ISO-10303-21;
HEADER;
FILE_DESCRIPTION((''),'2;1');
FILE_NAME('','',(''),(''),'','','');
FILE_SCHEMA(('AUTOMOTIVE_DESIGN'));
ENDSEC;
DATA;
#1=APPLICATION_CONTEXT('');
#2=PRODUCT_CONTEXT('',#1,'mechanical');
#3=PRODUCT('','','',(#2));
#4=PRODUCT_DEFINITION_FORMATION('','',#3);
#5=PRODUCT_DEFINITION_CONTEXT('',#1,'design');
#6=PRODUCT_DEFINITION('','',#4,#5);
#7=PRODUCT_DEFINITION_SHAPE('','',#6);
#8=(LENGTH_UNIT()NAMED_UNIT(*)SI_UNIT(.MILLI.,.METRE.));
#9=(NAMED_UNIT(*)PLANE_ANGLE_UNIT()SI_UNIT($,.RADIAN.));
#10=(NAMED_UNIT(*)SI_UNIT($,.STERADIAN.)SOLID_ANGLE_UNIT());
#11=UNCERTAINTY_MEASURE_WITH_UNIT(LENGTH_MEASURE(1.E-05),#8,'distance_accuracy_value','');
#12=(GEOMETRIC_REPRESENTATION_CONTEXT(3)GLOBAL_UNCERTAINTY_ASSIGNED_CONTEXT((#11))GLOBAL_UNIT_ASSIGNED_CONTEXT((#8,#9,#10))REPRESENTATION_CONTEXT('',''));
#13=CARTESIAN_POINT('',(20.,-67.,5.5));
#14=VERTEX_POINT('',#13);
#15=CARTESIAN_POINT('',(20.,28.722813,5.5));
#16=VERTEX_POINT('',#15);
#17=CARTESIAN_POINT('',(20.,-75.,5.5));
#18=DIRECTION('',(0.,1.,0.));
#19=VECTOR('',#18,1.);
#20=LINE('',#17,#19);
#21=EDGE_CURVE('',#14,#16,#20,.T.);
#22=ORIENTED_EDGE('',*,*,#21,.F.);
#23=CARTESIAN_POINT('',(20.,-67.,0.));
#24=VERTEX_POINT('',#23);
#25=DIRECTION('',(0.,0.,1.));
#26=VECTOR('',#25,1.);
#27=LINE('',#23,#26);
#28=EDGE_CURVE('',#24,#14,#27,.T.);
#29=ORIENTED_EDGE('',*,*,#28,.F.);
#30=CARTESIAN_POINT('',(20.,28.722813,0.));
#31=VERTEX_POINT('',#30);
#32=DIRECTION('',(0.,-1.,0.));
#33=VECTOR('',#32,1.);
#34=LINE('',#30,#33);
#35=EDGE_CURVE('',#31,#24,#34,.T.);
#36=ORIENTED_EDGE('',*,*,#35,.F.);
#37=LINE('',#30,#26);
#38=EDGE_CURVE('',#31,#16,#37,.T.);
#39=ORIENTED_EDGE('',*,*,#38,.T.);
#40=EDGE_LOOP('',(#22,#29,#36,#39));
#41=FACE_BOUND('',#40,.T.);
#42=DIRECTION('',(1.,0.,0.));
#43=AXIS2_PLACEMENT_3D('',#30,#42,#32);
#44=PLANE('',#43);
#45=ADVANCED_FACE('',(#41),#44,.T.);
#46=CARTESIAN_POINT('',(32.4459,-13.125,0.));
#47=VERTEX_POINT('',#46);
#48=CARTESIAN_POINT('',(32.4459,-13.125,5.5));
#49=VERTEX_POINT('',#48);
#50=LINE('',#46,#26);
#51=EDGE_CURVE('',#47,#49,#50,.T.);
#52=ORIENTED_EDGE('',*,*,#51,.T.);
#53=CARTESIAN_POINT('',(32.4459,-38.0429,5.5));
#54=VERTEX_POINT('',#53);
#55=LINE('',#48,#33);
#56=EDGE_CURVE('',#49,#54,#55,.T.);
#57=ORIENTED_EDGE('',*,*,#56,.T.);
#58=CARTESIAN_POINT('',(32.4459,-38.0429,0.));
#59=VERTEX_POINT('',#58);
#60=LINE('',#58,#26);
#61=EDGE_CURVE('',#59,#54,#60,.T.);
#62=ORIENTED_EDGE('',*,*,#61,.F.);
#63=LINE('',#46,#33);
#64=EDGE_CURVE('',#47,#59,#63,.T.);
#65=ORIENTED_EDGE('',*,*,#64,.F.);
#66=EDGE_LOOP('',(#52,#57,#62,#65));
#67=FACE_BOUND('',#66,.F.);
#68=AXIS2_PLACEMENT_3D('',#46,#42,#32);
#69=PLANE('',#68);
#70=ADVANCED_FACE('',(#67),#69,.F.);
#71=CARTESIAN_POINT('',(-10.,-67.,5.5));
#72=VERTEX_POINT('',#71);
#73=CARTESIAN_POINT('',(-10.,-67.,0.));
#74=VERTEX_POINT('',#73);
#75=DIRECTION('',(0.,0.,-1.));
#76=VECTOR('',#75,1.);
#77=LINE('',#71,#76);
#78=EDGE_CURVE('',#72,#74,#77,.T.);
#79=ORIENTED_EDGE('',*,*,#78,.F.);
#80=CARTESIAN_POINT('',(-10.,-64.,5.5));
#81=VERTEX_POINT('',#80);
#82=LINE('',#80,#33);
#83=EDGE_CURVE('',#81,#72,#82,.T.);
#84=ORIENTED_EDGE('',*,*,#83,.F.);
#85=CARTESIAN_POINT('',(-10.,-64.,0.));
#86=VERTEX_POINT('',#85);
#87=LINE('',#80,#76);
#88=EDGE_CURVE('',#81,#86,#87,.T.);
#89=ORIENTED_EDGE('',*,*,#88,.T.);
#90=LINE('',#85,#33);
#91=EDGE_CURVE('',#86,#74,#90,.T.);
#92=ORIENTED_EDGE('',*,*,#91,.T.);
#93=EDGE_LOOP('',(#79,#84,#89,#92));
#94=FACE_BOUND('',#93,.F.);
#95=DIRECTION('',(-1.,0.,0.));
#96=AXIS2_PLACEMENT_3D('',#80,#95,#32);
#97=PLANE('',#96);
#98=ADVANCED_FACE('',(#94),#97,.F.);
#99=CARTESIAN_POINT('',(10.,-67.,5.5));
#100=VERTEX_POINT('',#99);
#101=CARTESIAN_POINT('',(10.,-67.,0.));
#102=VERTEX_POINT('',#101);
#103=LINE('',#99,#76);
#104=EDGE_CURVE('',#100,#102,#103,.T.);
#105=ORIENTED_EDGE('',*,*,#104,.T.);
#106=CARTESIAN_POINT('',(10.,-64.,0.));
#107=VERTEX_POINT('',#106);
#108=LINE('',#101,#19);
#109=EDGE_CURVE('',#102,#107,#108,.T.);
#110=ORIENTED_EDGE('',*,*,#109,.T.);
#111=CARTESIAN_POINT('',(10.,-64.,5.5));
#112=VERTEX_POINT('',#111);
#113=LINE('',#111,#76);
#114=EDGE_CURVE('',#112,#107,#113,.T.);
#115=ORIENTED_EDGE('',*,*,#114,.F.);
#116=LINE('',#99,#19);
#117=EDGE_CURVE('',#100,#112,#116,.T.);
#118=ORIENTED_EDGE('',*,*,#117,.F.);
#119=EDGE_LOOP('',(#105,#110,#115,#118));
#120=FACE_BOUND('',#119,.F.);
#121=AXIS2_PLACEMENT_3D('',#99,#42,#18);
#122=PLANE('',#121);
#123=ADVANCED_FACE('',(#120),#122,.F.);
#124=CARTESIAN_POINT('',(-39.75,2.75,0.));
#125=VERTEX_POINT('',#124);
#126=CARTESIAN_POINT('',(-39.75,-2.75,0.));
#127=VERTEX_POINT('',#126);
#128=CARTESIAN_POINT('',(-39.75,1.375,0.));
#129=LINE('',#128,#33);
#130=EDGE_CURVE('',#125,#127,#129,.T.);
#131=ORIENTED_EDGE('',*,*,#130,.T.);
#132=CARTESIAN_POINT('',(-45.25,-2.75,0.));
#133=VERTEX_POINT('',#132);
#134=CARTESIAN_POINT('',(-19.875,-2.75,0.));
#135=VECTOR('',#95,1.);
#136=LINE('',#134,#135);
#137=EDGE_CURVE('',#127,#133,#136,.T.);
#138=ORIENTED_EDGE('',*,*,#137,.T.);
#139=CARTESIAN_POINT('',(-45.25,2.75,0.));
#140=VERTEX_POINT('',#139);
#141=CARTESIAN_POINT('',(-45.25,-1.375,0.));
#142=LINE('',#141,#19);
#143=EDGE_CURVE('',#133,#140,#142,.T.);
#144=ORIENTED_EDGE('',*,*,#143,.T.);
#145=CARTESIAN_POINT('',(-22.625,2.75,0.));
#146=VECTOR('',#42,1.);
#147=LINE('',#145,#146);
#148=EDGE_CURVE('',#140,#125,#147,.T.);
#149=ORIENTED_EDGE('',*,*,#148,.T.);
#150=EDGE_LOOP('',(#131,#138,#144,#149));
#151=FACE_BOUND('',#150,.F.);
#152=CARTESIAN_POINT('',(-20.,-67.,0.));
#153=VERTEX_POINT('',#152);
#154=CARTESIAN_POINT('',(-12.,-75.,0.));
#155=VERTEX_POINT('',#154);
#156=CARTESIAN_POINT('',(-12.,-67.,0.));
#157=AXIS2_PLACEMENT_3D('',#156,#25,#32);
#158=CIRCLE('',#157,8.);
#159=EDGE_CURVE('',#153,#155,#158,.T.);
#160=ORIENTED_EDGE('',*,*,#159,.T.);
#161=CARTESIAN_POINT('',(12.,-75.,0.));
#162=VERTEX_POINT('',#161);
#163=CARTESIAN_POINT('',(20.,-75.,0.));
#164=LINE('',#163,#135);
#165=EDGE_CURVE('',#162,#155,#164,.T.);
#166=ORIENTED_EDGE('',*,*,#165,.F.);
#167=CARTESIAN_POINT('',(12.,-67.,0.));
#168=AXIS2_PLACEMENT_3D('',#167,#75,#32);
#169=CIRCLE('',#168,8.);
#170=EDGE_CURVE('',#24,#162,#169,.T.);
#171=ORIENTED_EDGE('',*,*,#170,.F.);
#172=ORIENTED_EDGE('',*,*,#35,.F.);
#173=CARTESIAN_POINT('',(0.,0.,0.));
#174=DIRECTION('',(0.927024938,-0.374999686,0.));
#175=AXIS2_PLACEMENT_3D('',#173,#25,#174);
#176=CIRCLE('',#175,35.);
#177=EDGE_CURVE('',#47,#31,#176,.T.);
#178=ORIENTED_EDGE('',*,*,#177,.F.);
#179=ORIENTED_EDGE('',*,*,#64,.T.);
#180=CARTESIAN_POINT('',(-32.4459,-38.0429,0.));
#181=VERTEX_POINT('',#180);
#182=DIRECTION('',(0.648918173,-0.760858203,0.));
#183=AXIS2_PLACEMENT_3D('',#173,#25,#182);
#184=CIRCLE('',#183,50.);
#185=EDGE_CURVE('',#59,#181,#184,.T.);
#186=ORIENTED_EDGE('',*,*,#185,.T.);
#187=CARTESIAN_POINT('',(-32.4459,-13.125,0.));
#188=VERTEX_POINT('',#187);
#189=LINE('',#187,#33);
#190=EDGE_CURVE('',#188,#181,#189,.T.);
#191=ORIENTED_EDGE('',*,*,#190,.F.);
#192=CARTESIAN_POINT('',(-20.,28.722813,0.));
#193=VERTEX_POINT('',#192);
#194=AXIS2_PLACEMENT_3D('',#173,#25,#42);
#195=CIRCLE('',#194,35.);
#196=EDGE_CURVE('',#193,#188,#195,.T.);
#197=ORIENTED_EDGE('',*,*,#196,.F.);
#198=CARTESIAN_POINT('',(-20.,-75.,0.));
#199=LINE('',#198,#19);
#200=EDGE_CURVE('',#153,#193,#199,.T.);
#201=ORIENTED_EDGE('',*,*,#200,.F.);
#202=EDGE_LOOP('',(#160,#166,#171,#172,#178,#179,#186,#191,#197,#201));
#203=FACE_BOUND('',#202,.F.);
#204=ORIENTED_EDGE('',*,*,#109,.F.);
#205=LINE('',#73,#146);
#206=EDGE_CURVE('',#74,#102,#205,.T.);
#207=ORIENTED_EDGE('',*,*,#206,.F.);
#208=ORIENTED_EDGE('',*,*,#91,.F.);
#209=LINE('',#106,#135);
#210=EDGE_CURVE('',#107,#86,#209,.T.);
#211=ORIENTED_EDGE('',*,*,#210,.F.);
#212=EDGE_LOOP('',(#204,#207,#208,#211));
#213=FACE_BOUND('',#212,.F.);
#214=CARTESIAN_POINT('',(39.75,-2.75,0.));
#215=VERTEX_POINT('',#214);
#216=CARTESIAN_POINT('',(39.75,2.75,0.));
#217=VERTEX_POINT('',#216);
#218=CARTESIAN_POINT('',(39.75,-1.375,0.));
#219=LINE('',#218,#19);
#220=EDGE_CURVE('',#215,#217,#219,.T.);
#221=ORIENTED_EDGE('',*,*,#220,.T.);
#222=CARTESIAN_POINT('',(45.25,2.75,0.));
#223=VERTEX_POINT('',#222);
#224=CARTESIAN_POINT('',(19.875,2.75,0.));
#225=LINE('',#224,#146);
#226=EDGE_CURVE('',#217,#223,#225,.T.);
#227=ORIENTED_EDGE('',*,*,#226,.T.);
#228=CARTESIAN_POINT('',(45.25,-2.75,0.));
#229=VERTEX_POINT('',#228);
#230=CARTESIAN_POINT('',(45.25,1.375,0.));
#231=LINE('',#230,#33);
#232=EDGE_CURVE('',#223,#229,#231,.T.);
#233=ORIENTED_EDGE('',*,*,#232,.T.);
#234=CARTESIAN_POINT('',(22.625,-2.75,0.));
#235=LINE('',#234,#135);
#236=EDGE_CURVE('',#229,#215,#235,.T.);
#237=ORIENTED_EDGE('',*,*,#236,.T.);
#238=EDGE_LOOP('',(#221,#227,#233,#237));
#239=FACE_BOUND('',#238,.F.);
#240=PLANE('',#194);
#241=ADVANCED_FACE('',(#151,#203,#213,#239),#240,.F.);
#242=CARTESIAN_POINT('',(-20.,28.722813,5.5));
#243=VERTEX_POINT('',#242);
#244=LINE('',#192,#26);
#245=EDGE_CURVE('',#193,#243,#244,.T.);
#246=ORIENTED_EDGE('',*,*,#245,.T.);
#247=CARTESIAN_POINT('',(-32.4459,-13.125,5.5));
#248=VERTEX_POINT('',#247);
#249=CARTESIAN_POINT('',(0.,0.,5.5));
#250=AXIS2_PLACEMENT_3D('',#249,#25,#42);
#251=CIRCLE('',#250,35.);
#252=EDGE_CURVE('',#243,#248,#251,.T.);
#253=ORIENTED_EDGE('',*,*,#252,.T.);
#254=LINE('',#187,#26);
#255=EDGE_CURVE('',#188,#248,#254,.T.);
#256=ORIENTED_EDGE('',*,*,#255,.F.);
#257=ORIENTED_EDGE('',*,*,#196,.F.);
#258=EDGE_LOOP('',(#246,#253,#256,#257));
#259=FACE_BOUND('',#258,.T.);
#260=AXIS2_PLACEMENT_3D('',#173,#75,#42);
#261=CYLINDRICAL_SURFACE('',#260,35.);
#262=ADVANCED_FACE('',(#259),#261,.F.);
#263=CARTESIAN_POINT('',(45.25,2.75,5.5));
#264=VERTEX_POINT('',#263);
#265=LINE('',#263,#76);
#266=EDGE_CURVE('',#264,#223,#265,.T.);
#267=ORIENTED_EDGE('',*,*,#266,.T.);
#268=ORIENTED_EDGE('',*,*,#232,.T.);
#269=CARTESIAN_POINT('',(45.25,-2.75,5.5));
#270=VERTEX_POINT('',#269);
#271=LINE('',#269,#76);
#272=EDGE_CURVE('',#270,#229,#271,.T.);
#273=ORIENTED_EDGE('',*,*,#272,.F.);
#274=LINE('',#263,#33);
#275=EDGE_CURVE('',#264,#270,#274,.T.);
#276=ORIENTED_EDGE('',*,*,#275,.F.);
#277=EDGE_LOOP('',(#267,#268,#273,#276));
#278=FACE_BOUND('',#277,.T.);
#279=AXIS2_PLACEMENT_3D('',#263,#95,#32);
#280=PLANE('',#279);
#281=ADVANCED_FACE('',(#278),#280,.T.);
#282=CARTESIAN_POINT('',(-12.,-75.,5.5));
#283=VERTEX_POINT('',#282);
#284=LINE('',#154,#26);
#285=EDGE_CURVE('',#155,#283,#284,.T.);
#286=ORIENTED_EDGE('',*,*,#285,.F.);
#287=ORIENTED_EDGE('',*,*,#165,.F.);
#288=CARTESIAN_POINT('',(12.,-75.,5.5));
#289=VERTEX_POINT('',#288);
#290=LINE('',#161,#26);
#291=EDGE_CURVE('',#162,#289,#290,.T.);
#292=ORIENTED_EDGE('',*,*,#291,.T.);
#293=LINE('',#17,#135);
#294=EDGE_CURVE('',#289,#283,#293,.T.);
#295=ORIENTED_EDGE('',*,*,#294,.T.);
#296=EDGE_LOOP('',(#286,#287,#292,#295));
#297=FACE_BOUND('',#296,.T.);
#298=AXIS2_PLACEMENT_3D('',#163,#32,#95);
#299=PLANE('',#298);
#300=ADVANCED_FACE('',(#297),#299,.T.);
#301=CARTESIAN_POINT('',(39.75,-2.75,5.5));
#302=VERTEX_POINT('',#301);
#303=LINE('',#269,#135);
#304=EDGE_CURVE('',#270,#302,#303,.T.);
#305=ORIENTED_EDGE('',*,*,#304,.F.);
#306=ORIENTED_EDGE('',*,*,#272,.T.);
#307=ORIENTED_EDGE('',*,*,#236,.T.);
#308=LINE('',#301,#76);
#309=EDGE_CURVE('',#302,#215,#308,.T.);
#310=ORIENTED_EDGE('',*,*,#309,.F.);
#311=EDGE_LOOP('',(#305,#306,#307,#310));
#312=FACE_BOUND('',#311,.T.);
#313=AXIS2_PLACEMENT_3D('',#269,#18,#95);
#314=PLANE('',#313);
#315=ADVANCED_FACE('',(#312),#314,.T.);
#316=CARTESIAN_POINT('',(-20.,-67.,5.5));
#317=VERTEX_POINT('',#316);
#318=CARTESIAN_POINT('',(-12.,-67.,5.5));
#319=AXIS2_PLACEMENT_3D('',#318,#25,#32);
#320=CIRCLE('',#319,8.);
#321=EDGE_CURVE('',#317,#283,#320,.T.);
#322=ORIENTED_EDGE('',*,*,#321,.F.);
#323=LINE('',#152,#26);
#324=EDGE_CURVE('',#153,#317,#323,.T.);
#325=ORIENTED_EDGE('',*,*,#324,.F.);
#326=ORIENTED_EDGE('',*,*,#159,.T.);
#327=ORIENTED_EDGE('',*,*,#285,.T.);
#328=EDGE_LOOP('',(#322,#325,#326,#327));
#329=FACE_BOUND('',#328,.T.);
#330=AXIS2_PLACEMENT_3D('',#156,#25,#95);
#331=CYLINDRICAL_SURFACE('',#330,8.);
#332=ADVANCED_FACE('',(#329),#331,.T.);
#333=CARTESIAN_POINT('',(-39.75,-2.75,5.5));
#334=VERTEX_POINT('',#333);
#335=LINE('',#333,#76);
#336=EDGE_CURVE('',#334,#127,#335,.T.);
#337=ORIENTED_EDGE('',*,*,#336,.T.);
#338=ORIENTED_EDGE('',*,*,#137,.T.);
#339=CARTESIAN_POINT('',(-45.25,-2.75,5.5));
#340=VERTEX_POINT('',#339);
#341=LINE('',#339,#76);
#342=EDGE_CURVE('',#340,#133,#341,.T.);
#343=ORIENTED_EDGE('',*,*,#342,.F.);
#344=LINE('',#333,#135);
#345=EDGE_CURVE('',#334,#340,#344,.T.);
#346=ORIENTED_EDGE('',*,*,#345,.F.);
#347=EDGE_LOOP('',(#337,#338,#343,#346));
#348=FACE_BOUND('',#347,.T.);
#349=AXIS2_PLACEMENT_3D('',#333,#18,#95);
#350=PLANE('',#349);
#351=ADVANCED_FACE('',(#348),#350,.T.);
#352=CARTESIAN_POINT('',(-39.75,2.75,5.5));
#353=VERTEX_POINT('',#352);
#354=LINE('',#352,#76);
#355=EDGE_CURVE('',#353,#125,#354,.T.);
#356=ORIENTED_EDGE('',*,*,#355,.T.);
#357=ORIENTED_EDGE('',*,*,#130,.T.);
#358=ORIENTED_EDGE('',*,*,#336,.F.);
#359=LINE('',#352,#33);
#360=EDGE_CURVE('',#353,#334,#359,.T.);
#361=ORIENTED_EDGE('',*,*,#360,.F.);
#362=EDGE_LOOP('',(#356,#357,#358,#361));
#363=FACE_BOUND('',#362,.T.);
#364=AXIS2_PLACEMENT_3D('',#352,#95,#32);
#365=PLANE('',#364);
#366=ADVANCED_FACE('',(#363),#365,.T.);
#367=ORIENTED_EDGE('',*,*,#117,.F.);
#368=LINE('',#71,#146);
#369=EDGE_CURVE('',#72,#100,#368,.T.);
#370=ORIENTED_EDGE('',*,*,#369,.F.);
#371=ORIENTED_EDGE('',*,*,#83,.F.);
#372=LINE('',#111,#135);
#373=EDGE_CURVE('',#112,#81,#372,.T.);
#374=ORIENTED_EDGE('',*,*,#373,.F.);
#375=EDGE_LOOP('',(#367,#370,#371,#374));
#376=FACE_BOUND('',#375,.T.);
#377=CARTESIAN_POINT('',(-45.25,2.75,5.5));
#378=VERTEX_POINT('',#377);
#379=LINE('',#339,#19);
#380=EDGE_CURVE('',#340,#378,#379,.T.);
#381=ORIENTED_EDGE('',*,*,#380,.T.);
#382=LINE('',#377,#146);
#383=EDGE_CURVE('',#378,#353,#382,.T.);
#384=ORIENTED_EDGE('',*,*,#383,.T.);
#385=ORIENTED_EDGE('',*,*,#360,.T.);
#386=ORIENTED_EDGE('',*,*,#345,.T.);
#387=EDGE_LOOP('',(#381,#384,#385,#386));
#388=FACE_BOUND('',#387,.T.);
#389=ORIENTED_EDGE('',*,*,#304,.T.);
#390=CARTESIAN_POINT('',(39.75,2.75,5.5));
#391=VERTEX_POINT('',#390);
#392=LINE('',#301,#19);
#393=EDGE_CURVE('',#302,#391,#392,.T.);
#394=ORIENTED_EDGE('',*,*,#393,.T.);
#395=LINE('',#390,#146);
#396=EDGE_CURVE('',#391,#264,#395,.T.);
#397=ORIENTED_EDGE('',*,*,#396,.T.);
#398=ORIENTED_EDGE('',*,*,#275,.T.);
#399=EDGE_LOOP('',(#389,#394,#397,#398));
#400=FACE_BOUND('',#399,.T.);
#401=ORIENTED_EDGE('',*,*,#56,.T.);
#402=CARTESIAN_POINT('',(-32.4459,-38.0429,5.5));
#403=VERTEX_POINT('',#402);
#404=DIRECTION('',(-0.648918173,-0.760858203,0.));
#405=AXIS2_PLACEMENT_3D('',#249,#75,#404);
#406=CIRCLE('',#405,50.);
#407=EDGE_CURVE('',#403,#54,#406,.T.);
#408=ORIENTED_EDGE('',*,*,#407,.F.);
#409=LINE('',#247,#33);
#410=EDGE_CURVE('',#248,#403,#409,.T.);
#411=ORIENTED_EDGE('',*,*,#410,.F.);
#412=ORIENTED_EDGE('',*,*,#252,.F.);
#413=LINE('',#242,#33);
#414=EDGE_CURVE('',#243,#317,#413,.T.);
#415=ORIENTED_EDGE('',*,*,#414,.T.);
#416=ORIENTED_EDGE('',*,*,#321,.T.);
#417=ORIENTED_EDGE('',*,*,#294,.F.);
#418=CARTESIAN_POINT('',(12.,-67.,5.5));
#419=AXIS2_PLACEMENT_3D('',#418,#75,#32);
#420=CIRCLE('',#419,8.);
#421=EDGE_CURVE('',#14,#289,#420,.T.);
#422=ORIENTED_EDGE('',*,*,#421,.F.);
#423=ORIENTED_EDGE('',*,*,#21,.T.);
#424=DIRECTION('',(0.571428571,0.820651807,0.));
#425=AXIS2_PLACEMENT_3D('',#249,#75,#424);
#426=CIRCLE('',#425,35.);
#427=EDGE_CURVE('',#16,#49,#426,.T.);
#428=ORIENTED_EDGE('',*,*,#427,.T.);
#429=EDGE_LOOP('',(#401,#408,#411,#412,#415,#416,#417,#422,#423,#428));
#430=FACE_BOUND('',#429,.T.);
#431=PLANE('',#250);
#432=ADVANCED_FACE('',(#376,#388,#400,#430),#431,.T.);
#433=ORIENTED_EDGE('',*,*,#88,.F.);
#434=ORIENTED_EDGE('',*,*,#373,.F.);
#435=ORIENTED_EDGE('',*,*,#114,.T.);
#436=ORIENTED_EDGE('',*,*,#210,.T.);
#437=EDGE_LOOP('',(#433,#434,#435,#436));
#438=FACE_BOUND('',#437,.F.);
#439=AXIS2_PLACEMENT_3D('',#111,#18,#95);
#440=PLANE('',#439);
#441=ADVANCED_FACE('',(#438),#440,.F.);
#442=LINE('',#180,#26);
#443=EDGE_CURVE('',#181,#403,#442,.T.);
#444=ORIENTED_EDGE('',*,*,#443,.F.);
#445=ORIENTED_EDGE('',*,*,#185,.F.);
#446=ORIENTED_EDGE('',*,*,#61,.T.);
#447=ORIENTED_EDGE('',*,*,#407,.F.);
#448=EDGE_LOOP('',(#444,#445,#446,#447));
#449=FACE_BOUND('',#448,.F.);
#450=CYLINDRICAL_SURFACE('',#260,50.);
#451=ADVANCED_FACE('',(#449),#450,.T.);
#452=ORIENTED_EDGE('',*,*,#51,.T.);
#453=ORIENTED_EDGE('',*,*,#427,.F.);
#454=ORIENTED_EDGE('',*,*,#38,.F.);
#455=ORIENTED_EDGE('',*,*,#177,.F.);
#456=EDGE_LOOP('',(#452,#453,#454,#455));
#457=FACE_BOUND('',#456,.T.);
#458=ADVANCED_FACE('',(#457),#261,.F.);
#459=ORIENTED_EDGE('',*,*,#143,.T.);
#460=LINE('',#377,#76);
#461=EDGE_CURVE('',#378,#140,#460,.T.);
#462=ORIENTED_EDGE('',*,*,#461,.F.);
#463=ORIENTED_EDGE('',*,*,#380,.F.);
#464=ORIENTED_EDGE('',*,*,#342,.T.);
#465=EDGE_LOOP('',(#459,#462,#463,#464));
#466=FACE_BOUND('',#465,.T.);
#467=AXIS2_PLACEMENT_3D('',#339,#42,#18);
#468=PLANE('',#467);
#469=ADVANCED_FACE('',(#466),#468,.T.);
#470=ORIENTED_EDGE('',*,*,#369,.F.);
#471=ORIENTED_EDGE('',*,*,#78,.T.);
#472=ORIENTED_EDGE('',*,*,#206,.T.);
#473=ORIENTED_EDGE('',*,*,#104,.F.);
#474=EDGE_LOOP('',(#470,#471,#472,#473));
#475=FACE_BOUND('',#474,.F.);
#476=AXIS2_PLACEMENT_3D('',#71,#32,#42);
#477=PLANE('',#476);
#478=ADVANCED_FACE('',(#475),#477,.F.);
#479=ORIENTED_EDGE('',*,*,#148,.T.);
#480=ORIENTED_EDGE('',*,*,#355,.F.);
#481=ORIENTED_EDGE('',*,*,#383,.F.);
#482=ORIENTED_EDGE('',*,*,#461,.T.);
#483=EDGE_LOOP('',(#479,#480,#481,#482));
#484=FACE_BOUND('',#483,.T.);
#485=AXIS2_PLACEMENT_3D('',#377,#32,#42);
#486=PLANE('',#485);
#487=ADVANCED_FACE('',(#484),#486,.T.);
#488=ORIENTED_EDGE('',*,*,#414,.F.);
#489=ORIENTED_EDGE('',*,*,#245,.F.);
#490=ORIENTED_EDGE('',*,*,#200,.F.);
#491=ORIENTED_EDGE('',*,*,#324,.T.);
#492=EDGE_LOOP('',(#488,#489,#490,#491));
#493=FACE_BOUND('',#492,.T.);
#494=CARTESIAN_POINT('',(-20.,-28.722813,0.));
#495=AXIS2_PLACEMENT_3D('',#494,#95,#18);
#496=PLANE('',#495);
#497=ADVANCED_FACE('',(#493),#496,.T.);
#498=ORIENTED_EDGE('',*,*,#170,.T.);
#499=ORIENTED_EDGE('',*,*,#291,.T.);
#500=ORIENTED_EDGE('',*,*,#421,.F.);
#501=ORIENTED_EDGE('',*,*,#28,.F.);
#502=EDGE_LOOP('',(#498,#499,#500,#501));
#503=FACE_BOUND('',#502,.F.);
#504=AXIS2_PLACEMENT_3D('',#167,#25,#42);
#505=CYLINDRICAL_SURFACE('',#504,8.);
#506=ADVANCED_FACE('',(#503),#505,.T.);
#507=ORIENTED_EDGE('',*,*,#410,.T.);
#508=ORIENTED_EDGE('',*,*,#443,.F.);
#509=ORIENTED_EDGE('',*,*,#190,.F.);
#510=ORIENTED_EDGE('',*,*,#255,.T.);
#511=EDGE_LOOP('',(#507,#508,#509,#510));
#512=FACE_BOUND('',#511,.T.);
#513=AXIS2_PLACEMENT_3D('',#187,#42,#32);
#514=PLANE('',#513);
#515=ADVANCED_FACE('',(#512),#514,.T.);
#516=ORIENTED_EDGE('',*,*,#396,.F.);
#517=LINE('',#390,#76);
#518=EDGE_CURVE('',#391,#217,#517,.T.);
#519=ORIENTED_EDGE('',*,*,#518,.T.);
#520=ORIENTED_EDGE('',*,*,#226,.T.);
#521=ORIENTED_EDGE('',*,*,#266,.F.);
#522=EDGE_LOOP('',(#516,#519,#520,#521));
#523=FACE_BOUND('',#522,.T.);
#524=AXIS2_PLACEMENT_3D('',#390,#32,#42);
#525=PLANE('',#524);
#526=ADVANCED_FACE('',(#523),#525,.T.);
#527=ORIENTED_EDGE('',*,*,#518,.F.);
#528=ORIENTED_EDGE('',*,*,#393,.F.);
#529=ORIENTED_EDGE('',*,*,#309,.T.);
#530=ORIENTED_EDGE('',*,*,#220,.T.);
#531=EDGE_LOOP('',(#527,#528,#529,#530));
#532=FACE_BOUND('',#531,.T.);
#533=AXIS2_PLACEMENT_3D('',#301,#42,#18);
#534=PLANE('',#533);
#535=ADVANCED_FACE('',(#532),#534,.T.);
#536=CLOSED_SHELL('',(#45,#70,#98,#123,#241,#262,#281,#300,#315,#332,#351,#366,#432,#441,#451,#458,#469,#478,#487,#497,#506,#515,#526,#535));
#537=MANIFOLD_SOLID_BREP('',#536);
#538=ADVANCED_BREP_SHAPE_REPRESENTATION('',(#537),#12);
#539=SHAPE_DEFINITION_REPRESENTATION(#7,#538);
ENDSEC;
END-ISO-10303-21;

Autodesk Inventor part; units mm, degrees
ref_plane "YZ Plane" through (0, 0, 0) normal (1, 0, 0) x (0, 1, 0)
ref_plane "XZ Plane" through (0, 0, 0) normal (0, 1, 0) x (-1, 0, 0)
ref_plane "XY Plane" through (0, 0, 0) normal (0, 0, 1) x (1, 0, 0)
sketch "Sketch1" plane through (0, 0, 0) normal (0, 0, 1) x (1, 0, 0)
  circle A0 centre (0, 0) radius 50
  circle A1 centre (0, 0) radius 35
  line L0 (-20, 45) -> (20, 45)
  line L1 (20, 45) -> (20, -75)
  line L2 (20, -75) -> (-20, -75)
  line L3 (-20, -75) -> (-20, 45)
  line L4 (-32.4459, -13.125) -> (-32.4459, -38.0429)
  line L5 (32.4459, -13.125) -> (32.4459, -38.0429)
  line L6 (-10, -67) -> (10, -67)
  line L7 (10, -67) -> (10, -64)
  line L8 (10, -64) -> (-10, -64)
  line L9 (-10, -64) -> (-10, -67)
  dimension "d0" = 100
  dimension "d1" = 70
  dimension "d4" = 40
  dimension "d5" = 120
  dimension "d9" = 20
  dimension "d10" = 3
extrude "Extrusion2" add sketch "Sketch1" along normal blind 5.5 contours A0 L5 A1 L1 L0 L3 L4 | L3 A1 L1 A0 | A0 L1 L2 L3 | L3 A1 L1 | L3 L0 L1 A1 | L9 L8 L7 L6
fillet "Fillet1" radius 8 2 edges at (20, -75, 2.75) (-20, -75, 2.75)
sketch "Sketch2" plane through (0, 0, 5.5) normal (0, 0, 1) x (1, 0, 0)
  line L0 (-10, -67) -> (10, -67)
  line L1 (10, -67) -> (10, -64)
  line L2 (10, -64) -> (-10, -64)
  line L3 (-10, -64) -> (-10, -67)
  point P0 (0, 0)
  dimension "d11" = 20
  dimension "d12" = 3
extrude "Extrusion3" cut sketch "Sketch2" against normal blind 5.5
sketch "Sketch4" plane through (0, 0, 5.5) normal (0, 0, 1) x (1, 0, 0)
  line L0 (39.75, 2.75) -> (45.25, 2.75)
  line L1 (45.25, 2.75) -> (45.25, -2.75)
  line L2 (45.25, -2.75) -> (39.75, -2.75)
  line L3 (39.75, -2.75) -> (39.75, 2.75)
  line L4 (-39.75, -2.75) -> (-45.25, -2.75)
  line L5 (-45.25, -2.75) -> (-45.25, 2.75)
  line L6 (-45.25, 2.75) -> (-39.75, 2.75)
  line L7 (-39.75, 2.75) -> (-39.75, -2.75)
  point P0 (0, 0)
  point P1 (0, 0)
  dimension "d24" = 5.5
  dimension "d25" = 5.5
  dimension "d26" = 360
extrude "Extrusion5" cut sketch "Sketch4" against normal blind 10
properties part number "central"
